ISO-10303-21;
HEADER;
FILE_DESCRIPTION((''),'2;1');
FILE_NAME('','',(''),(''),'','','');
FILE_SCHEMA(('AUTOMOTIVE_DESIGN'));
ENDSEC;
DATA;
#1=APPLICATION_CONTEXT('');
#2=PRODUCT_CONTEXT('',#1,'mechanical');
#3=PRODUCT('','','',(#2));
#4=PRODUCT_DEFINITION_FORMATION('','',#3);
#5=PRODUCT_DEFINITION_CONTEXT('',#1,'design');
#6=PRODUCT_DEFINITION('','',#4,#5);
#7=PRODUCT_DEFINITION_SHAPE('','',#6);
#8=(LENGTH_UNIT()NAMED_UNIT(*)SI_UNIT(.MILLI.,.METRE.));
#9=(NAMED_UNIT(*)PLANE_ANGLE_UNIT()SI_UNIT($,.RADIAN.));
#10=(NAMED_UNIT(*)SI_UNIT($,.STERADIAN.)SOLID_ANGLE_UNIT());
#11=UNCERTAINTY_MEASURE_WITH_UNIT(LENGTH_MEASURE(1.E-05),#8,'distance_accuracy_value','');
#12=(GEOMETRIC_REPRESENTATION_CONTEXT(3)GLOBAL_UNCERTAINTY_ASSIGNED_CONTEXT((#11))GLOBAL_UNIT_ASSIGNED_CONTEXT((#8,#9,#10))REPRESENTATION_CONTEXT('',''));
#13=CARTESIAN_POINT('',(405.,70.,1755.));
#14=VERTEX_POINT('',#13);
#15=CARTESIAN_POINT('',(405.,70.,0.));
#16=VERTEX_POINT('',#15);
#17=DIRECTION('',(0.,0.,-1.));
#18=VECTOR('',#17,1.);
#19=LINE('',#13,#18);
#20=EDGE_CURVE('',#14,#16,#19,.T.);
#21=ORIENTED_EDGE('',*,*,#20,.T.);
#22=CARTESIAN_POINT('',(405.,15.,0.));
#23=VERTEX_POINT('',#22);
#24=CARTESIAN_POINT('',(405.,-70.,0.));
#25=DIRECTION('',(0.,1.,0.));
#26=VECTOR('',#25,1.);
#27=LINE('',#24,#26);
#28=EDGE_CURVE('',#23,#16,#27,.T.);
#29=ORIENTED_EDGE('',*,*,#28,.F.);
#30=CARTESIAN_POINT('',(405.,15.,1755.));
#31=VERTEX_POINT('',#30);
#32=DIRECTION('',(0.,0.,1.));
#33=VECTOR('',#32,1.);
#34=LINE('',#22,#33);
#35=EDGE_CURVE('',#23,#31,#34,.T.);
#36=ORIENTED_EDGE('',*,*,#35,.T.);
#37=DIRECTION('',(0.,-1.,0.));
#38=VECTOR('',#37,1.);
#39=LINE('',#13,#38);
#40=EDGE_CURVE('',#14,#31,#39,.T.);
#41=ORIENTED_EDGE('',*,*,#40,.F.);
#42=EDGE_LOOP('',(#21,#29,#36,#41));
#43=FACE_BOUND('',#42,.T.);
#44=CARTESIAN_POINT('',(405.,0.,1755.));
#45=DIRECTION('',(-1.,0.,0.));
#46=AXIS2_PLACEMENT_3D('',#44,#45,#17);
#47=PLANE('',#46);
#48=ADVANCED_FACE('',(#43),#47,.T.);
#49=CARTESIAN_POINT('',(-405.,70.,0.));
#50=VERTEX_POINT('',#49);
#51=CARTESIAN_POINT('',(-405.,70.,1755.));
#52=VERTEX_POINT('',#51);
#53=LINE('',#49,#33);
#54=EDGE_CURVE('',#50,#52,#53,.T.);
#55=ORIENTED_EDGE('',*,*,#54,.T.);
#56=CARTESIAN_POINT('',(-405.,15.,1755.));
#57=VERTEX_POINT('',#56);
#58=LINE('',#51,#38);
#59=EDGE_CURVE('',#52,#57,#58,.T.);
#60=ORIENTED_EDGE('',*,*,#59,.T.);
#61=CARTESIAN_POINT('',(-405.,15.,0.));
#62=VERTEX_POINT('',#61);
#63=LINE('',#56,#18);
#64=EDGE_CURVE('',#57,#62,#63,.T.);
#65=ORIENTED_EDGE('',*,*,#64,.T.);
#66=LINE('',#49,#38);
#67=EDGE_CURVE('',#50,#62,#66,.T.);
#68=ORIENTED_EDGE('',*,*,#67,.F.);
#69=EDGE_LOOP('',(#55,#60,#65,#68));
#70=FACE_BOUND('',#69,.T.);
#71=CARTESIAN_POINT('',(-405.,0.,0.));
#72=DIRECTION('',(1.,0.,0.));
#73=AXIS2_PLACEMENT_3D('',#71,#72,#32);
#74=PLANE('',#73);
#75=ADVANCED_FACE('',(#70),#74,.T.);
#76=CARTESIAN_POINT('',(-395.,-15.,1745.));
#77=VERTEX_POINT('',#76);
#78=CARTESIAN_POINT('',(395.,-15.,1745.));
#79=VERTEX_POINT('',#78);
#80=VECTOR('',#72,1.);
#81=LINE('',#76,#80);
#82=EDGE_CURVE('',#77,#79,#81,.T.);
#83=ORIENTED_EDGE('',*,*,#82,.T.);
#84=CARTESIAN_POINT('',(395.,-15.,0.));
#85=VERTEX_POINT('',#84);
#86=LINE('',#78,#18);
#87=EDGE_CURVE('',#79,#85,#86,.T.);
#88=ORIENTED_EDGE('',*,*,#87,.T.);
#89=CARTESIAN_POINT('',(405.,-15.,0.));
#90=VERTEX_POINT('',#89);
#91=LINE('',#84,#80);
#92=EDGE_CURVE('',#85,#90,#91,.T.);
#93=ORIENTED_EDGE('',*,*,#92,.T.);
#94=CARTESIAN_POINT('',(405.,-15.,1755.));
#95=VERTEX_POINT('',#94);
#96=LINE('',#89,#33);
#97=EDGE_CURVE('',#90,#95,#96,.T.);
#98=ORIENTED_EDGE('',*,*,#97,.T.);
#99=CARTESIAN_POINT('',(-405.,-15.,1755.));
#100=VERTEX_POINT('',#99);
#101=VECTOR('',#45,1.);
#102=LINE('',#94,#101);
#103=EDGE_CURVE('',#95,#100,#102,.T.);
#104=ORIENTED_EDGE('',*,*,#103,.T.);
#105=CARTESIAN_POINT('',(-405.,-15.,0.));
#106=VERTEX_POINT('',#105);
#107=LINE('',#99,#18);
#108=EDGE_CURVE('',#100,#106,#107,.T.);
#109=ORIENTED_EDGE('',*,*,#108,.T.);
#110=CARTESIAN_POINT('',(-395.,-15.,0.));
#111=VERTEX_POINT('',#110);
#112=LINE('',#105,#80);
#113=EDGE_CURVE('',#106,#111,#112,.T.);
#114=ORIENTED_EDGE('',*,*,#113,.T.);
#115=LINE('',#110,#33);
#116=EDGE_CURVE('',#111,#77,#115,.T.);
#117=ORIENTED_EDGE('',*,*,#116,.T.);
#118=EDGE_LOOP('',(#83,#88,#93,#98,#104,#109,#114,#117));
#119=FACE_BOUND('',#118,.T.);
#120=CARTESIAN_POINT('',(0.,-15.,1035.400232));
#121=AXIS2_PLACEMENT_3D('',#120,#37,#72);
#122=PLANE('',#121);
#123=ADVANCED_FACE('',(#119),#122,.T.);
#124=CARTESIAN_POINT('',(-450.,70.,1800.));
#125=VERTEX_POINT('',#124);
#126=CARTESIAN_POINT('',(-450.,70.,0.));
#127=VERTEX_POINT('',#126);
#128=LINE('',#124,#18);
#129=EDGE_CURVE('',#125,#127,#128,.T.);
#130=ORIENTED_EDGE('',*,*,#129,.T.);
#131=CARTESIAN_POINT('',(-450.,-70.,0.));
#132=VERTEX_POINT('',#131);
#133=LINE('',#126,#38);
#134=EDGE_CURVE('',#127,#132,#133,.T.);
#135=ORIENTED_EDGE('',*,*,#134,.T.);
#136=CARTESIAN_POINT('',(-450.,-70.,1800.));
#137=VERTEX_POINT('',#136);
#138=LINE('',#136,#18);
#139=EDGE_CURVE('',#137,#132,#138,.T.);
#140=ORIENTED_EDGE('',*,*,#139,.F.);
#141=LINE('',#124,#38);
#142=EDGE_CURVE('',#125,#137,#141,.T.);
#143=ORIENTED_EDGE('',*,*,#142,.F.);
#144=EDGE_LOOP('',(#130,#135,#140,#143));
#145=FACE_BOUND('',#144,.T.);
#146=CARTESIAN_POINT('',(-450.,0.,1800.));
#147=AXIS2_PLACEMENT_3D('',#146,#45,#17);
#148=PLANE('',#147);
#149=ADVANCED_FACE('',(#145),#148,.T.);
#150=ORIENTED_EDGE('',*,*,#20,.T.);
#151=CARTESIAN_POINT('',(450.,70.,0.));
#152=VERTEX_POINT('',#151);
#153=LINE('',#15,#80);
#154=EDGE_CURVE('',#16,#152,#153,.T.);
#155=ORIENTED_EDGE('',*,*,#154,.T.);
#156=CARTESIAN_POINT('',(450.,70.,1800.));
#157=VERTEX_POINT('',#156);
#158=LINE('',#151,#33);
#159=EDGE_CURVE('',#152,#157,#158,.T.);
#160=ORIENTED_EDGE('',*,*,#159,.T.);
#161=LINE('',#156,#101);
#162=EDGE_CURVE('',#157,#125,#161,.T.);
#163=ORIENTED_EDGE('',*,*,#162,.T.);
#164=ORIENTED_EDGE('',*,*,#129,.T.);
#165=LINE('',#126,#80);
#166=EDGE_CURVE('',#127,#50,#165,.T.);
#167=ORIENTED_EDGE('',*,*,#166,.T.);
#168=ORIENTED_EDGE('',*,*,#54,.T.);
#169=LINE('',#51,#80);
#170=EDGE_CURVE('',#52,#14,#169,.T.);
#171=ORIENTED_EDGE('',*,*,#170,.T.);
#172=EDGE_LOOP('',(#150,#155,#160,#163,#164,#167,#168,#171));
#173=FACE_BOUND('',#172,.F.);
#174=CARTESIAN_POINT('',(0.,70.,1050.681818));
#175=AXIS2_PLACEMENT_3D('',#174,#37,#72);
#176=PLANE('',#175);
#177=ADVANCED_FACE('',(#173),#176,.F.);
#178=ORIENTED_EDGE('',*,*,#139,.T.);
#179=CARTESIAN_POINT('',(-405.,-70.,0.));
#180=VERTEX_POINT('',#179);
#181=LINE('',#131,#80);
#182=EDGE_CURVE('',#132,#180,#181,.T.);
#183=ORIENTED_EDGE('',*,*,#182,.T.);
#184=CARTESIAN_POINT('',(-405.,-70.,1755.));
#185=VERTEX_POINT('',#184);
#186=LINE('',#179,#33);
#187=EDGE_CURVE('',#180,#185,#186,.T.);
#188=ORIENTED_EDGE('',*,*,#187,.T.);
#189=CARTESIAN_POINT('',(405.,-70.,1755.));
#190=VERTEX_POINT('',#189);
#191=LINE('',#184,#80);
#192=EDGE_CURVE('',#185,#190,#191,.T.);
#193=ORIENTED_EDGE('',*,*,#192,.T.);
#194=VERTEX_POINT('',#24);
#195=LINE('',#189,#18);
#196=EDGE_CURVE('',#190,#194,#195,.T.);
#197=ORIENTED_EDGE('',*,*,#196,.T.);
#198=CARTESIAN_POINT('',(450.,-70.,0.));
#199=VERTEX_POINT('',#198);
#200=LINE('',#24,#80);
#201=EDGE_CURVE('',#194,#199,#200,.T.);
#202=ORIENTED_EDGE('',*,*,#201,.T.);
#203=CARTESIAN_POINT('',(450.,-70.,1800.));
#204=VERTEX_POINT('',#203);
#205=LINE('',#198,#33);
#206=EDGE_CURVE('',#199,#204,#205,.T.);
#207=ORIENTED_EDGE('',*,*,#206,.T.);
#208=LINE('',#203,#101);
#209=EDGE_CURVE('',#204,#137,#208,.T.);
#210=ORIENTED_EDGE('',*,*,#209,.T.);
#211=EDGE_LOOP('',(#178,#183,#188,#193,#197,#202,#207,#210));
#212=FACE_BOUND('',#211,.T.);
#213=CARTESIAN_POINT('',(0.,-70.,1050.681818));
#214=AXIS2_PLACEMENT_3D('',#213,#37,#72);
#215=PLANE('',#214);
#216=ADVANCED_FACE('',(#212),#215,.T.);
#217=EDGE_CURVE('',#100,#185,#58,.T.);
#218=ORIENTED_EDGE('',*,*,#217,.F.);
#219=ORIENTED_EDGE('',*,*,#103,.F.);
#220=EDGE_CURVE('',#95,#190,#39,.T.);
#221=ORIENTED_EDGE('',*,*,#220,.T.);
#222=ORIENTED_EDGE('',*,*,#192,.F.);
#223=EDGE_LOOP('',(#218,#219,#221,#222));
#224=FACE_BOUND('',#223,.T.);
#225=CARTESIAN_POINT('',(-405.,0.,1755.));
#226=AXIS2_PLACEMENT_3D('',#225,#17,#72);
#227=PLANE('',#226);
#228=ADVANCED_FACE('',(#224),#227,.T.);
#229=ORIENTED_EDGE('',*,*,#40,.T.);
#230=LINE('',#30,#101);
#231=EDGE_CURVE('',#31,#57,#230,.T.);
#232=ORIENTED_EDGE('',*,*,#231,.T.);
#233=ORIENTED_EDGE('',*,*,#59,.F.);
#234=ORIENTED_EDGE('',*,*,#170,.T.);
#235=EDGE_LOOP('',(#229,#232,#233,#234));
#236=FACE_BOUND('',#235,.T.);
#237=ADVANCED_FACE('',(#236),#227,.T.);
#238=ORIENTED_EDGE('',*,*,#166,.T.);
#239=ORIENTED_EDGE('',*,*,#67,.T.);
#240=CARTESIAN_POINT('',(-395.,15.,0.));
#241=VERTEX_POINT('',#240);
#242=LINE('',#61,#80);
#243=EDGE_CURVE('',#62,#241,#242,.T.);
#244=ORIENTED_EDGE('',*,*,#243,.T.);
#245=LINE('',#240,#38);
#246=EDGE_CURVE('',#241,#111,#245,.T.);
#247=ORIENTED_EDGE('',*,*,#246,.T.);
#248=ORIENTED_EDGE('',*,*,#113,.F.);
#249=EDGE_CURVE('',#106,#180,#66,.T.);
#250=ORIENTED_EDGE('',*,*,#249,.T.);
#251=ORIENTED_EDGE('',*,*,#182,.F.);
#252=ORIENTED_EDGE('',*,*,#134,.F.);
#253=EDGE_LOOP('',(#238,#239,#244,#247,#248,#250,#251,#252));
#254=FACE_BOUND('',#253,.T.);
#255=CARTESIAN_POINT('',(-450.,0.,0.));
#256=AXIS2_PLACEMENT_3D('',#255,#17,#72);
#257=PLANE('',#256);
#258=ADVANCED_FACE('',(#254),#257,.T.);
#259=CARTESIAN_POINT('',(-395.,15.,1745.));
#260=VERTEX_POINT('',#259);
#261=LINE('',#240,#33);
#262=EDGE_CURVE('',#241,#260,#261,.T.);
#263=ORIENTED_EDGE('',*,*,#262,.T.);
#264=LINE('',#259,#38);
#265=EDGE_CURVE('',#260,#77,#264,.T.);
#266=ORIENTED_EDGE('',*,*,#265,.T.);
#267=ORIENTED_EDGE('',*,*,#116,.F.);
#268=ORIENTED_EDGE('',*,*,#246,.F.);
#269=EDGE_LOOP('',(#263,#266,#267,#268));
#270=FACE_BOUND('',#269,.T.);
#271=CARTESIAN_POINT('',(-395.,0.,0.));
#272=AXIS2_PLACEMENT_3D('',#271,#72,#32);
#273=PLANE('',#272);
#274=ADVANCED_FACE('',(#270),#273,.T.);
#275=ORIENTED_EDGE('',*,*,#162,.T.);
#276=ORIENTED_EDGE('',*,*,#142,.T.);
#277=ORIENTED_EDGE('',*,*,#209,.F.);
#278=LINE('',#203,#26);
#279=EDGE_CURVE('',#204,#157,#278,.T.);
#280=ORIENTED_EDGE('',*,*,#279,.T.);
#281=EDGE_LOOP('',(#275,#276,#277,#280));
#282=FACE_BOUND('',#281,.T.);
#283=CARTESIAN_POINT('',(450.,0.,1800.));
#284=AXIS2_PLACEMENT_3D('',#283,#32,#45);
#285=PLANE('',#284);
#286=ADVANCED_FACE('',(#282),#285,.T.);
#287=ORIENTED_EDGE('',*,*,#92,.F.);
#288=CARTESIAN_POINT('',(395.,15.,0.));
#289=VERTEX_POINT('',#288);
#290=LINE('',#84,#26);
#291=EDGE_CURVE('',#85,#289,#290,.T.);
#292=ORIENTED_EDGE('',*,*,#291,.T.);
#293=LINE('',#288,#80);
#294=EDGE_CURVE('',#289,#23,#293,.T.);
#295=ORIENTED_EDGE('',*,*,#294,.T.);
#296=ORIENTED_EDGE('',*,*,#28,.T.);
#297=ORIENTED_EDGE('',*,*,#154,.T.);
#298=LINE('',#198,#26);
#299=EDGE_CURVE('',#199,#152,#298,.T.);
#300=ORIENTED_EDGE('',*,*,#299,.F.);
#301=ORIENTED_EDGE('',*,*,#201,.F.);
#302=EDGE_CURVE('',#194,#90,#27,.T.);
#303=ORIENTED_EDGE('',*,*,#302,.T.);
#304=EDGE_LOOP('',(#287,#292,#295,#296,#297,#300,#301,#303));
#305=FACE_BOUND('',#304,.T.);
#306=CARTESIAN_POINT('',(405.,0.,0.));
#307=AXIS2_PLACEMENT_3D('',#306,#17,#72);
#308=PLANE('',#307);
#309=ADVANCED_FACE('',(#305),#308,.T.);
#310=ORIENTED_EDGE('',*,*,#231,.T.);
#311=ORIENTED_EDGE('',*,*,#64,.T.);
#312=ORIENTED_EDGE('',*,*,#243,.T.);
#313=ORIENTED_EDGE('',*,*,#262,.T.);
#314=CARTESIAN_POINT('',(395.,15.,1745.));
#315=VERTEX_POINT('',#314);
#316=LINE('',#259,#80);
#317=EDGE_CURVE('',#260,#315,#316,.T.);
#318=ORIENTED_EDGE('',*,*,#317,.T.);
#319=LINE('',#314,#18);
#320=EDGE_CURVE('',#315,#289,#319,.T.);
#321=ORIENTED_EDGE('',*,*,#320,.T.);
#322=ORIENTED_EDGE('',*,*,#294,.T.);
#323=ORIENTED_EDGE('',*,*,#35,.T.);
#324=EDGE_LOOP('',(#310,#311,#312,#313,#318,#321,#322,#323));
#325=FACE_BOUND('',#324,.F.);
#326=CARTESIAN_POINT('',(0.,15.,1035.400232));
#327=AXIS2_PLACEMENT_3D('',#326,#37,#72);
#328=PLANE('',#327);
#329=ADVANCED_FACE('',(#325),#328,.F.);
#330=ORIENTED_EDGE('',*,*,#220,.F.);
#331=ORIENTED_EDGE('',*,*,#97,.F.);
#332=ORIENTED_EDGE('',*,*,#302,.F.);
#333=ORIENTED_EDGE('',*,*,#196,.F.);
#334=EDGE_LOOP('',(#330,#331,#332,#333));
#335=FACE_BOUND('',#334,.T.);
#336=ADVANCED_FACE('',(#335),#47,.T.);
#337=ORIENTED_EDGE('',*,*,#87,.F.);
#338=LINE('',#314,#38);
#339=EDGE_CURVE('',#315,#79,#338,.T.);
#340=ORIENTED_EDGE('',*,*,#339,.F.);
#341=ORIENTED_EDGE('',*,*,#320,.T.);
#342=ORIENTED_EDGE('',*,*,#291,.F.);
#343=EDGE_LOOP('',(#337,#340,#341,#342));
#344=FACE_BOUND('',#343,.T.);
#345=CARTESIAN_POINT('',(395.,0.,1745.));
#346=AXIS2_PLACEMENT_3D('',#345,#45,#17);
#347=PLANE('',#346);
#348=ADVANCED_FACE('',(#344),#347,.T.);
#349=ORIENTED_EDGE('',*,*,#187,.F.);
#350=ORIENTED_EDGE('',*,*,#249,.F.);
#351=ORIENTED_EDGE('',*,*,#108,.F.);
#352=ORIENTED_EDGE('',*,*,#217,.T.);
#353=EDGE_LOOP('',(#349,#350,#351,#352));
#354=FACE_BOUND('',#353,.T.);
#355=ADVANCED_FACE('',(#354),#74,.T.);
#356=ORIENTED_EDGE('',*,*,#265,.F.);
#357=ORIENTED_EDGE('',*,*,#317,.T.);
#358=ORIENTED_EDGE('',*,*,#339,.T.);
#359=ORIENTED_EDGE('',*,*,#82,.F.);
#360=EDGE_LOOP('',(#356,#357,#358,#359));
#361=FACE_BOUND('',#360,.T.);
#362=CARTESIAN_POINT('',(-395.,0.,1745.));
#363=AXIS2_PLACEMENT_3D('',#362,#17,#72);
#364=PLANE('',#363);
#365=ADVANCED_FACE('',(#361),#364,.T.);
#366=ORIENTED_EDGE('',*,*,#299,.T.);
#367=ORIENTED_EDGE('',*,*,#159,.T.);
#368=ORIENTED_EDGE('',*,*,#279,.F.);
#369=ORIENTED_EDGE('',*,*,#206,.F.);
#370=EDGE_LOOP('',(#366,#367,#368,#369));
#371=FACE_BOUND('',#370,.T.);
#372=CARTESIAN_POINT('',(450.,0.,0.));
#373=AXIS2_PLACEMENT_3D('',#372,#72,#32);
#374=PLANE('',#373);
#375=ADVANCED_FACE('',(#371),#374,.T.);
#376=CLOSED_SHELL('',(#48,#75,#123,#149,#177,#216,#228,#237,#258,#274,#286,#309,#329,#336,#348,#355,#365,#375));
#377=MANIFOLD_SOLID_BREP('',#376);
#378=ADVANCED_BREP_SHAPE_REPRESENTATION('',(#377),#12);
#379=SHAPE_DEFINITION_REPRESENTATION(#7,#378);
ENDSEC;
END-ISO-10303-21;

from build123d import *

# Parameters (mm, degrees)
F1_DEPTH = 70
F3_DEPTH = 15


with BuildPart() as f1:
    # F0 (on Front) → F1 (new body, symmetric)
    with BuildSketch(Plane.XZ):
        Polygon((450, 1800), (-450, 1800), (-450, 0), (-405, 0), (-405, 1755), (405, 1755), (405, 0), (450, 0), align=None)
    extrude(amount=F1_DEPTH, both=True)

    # F2 (on Front) → F3 (join, symmetric)
    with BuildSketch(Plane.XZ):
        Polygon((405, 1755), (-405, 1755), (-405, 0), (-395, 0), (-395, 1745), (395, 1745), (395, 0), (405, 0), align=None)
    extrude(amount=F3_DEPTH, both=True)


solid = f1.part
